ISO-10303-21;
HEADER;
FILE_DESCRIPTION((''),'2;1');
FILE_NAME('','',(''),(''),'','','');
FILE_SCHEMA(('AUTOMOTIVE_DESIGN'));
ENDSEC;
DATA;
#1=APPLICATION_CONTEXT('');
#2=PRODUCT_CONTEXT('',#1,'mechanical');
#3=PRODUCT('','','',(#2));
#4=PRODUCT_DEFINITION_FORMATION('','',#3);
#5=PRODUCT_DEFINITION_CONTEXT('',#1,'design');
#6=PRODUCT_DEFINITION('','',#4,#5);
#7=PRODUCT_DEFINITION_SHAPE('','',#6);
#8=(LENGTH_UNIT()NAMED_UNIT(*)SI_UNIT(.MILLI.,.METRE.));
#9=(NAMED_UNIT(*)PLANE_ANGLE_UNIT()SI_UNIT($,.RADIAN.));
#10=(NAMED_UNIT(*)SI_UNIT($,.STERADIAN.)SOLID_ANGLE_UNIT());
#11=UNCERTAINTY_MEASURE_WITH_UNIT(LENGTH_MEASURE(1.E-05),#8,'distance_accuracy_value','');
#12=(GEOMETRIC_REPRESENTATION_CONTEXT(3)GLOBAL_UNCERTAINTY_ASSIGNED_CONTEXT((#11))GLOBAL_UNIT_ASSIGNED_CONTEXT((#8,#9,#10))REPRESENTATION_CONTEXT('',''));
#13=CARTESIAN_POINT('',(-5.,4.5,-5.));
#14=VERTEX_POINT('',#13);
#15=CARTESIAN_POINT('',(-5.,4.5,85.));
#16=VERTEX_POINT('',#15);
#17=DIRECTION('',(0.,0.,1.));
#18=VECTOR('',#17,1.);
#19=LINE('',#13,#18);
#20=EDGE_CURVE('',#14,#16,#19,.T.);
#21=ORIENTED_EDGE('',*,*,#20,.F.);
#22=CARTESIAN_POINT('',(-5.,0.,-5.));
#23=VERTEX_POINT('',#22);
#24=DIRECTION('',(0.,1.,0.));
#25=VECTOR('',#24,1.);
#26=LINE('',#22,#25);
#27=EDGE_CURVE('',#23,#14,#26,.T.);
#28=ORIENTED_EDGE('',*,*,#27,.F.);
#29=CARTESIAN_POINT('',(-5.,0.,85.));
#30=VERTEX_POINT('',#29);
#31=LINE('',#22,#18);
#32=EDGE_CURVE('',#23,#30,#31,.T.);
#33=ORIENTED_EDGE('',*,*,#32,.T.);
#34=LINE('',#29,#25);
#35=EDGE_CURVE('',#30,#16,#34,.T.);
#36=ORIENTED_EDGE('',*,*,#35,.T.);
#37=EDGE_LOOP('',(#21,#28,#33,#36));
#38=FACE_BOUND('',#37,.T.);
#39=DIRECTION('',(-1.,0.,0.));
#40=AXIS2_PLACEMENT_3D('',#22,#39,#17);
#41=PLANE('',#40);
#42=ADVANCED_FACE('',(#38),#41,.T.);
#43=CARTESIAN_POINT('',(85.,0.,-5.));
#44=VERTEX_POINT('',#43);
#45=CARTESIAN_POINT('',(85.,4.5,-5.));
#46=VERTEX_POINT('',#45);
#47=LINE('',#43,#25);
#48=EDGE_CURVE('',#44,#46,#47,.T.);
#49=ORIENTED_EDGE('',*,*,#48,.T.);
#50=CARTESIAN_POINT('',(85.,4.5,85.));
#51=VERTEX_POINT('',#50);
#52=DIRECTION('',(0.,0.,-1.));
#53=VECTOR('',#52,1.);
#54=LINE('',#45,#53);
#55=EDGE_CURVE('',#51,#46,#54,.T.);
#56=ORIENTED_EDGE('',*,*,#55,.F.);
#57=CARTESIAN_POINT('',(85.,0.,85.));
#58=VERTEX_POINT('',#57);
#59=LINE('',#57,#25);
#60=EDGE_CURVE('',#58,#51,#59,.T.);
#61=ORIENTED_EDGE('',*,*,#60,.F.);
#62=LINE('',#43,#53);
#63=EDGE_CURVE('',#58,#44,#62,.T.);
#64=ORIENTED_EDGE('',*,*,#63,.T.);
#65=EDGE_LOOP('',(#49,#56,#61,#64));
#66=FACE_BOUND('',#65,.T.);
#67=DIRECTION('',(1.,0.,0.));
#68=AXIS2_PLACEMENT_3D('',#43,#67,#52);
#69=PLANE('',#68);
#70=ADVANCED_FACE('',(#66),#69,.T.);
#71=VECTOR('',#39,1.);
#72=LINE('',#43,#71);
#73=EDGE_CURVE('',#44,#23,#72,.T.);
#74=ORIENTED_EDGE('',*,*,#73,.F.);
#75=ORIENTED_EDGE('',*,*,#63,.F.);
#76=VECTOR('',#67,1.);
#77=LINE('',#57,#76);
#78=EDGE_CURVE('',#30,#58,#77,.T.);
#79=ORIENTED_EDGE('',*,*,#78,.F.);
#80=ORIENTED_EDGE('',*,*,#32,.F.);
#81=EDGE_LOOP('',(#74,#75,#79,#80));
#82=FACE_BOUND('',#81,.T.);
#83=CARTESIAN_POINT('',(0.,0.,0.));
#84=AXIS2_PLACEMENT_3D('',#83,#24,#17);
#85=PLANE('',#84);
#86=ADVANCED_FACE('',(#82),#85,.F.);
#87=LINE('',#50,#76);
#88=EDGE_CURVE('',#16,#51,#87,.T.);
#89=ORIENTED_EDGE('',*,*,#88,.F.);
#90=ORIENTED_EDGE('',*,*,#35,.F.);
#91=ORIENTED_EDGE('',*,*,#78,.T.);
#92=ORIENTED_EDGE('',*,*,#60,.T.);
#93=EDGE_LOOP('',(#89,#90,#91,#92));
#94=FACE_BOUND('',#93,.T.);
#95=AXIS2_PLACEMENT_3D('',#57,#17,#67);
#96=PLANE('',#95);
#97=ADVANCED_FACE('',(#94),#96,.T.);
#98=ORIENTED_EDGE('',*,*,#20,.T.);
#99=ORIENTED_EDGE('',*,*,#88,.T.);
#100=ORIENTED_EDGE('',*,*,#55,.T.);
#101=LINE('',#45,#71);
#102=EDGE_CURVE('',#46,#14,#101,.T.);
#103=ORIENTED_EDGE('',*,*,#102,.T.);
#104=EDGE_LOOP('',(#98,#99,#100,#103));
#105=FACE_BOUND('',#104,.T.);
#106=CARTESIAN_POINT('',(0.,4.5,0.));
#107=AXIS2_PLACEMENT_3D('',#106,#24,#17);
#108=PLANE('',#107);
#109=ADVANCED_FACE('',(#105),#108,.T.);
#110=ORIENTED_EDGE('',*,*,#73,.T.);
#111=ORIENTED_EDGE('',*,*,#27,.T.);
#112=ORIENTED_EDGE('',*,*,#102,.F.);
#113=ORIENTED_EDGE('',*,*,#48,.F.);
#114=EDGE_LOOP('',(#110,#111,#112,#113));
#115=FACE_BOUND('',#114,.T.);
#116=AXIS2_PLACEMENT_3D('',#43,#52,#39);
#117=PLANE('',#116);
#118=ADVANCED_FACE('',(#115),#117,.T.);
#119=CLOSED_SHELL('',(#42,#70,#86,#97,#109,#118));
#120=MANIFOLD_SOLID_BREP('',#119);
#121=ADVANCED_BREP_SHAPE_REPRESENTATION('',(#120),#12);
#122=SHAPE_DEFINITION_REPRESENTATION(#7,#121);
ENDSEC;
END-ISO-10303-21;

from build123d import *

# Parameters (mm, degrees)
OUTLINE_W           = 100
OUTLINE_H           = 100
BOSS_EXTRUDE1_DEPTH = 4.5
SKETCH3_OUTSIDE_W   = 130.298
SKETCH3_OUTSIDE_H   = 130.298
SKETCH3_OUTSIDE_W_2 = 90
SKETCH3_OUTSIDE_H_2 = 90
CUT_EXTRUDE2_DEPTH  = 128.358745283


with BuildPart() as part:
    # Outline → Boss-Extrude1 (new body)
    with BuildSketch(Plane(origin=(0, 0, 0), x_dir=(1, 0, 0), z_dir=(0, 1, 0))):
        with Locations((40, -40)):
            Rectangle(OUTLINE_W, OUTLINE_H)
    extrude(amount=BOSS_EXTRUDE1_DEPTH)

    # Sketch3 outside → Cut-Extrude2 (cut, through all)
    with BuildSketch(Plane(origin=(0, 4.5, 0), x_dir=(1, 0, 0), z_dir=(0, 1, 0))):
        with Locations((40, -40)):
            Rectangle(SKETCH3_OUTSIDE_W, SKETCH3_OUTSIDE_H)
        with Locations((40, -40)):
            Rectangle(SKETCH3_OUTSIDE_W_2, SKETCH3_OUTSIDE_H_2, mode=Mode.SUBTRACT)
    extrude(amount=-CUT_EXTRUDE2_DEPTH, mode=Mode.SUBTRACT)


solid = part.part
